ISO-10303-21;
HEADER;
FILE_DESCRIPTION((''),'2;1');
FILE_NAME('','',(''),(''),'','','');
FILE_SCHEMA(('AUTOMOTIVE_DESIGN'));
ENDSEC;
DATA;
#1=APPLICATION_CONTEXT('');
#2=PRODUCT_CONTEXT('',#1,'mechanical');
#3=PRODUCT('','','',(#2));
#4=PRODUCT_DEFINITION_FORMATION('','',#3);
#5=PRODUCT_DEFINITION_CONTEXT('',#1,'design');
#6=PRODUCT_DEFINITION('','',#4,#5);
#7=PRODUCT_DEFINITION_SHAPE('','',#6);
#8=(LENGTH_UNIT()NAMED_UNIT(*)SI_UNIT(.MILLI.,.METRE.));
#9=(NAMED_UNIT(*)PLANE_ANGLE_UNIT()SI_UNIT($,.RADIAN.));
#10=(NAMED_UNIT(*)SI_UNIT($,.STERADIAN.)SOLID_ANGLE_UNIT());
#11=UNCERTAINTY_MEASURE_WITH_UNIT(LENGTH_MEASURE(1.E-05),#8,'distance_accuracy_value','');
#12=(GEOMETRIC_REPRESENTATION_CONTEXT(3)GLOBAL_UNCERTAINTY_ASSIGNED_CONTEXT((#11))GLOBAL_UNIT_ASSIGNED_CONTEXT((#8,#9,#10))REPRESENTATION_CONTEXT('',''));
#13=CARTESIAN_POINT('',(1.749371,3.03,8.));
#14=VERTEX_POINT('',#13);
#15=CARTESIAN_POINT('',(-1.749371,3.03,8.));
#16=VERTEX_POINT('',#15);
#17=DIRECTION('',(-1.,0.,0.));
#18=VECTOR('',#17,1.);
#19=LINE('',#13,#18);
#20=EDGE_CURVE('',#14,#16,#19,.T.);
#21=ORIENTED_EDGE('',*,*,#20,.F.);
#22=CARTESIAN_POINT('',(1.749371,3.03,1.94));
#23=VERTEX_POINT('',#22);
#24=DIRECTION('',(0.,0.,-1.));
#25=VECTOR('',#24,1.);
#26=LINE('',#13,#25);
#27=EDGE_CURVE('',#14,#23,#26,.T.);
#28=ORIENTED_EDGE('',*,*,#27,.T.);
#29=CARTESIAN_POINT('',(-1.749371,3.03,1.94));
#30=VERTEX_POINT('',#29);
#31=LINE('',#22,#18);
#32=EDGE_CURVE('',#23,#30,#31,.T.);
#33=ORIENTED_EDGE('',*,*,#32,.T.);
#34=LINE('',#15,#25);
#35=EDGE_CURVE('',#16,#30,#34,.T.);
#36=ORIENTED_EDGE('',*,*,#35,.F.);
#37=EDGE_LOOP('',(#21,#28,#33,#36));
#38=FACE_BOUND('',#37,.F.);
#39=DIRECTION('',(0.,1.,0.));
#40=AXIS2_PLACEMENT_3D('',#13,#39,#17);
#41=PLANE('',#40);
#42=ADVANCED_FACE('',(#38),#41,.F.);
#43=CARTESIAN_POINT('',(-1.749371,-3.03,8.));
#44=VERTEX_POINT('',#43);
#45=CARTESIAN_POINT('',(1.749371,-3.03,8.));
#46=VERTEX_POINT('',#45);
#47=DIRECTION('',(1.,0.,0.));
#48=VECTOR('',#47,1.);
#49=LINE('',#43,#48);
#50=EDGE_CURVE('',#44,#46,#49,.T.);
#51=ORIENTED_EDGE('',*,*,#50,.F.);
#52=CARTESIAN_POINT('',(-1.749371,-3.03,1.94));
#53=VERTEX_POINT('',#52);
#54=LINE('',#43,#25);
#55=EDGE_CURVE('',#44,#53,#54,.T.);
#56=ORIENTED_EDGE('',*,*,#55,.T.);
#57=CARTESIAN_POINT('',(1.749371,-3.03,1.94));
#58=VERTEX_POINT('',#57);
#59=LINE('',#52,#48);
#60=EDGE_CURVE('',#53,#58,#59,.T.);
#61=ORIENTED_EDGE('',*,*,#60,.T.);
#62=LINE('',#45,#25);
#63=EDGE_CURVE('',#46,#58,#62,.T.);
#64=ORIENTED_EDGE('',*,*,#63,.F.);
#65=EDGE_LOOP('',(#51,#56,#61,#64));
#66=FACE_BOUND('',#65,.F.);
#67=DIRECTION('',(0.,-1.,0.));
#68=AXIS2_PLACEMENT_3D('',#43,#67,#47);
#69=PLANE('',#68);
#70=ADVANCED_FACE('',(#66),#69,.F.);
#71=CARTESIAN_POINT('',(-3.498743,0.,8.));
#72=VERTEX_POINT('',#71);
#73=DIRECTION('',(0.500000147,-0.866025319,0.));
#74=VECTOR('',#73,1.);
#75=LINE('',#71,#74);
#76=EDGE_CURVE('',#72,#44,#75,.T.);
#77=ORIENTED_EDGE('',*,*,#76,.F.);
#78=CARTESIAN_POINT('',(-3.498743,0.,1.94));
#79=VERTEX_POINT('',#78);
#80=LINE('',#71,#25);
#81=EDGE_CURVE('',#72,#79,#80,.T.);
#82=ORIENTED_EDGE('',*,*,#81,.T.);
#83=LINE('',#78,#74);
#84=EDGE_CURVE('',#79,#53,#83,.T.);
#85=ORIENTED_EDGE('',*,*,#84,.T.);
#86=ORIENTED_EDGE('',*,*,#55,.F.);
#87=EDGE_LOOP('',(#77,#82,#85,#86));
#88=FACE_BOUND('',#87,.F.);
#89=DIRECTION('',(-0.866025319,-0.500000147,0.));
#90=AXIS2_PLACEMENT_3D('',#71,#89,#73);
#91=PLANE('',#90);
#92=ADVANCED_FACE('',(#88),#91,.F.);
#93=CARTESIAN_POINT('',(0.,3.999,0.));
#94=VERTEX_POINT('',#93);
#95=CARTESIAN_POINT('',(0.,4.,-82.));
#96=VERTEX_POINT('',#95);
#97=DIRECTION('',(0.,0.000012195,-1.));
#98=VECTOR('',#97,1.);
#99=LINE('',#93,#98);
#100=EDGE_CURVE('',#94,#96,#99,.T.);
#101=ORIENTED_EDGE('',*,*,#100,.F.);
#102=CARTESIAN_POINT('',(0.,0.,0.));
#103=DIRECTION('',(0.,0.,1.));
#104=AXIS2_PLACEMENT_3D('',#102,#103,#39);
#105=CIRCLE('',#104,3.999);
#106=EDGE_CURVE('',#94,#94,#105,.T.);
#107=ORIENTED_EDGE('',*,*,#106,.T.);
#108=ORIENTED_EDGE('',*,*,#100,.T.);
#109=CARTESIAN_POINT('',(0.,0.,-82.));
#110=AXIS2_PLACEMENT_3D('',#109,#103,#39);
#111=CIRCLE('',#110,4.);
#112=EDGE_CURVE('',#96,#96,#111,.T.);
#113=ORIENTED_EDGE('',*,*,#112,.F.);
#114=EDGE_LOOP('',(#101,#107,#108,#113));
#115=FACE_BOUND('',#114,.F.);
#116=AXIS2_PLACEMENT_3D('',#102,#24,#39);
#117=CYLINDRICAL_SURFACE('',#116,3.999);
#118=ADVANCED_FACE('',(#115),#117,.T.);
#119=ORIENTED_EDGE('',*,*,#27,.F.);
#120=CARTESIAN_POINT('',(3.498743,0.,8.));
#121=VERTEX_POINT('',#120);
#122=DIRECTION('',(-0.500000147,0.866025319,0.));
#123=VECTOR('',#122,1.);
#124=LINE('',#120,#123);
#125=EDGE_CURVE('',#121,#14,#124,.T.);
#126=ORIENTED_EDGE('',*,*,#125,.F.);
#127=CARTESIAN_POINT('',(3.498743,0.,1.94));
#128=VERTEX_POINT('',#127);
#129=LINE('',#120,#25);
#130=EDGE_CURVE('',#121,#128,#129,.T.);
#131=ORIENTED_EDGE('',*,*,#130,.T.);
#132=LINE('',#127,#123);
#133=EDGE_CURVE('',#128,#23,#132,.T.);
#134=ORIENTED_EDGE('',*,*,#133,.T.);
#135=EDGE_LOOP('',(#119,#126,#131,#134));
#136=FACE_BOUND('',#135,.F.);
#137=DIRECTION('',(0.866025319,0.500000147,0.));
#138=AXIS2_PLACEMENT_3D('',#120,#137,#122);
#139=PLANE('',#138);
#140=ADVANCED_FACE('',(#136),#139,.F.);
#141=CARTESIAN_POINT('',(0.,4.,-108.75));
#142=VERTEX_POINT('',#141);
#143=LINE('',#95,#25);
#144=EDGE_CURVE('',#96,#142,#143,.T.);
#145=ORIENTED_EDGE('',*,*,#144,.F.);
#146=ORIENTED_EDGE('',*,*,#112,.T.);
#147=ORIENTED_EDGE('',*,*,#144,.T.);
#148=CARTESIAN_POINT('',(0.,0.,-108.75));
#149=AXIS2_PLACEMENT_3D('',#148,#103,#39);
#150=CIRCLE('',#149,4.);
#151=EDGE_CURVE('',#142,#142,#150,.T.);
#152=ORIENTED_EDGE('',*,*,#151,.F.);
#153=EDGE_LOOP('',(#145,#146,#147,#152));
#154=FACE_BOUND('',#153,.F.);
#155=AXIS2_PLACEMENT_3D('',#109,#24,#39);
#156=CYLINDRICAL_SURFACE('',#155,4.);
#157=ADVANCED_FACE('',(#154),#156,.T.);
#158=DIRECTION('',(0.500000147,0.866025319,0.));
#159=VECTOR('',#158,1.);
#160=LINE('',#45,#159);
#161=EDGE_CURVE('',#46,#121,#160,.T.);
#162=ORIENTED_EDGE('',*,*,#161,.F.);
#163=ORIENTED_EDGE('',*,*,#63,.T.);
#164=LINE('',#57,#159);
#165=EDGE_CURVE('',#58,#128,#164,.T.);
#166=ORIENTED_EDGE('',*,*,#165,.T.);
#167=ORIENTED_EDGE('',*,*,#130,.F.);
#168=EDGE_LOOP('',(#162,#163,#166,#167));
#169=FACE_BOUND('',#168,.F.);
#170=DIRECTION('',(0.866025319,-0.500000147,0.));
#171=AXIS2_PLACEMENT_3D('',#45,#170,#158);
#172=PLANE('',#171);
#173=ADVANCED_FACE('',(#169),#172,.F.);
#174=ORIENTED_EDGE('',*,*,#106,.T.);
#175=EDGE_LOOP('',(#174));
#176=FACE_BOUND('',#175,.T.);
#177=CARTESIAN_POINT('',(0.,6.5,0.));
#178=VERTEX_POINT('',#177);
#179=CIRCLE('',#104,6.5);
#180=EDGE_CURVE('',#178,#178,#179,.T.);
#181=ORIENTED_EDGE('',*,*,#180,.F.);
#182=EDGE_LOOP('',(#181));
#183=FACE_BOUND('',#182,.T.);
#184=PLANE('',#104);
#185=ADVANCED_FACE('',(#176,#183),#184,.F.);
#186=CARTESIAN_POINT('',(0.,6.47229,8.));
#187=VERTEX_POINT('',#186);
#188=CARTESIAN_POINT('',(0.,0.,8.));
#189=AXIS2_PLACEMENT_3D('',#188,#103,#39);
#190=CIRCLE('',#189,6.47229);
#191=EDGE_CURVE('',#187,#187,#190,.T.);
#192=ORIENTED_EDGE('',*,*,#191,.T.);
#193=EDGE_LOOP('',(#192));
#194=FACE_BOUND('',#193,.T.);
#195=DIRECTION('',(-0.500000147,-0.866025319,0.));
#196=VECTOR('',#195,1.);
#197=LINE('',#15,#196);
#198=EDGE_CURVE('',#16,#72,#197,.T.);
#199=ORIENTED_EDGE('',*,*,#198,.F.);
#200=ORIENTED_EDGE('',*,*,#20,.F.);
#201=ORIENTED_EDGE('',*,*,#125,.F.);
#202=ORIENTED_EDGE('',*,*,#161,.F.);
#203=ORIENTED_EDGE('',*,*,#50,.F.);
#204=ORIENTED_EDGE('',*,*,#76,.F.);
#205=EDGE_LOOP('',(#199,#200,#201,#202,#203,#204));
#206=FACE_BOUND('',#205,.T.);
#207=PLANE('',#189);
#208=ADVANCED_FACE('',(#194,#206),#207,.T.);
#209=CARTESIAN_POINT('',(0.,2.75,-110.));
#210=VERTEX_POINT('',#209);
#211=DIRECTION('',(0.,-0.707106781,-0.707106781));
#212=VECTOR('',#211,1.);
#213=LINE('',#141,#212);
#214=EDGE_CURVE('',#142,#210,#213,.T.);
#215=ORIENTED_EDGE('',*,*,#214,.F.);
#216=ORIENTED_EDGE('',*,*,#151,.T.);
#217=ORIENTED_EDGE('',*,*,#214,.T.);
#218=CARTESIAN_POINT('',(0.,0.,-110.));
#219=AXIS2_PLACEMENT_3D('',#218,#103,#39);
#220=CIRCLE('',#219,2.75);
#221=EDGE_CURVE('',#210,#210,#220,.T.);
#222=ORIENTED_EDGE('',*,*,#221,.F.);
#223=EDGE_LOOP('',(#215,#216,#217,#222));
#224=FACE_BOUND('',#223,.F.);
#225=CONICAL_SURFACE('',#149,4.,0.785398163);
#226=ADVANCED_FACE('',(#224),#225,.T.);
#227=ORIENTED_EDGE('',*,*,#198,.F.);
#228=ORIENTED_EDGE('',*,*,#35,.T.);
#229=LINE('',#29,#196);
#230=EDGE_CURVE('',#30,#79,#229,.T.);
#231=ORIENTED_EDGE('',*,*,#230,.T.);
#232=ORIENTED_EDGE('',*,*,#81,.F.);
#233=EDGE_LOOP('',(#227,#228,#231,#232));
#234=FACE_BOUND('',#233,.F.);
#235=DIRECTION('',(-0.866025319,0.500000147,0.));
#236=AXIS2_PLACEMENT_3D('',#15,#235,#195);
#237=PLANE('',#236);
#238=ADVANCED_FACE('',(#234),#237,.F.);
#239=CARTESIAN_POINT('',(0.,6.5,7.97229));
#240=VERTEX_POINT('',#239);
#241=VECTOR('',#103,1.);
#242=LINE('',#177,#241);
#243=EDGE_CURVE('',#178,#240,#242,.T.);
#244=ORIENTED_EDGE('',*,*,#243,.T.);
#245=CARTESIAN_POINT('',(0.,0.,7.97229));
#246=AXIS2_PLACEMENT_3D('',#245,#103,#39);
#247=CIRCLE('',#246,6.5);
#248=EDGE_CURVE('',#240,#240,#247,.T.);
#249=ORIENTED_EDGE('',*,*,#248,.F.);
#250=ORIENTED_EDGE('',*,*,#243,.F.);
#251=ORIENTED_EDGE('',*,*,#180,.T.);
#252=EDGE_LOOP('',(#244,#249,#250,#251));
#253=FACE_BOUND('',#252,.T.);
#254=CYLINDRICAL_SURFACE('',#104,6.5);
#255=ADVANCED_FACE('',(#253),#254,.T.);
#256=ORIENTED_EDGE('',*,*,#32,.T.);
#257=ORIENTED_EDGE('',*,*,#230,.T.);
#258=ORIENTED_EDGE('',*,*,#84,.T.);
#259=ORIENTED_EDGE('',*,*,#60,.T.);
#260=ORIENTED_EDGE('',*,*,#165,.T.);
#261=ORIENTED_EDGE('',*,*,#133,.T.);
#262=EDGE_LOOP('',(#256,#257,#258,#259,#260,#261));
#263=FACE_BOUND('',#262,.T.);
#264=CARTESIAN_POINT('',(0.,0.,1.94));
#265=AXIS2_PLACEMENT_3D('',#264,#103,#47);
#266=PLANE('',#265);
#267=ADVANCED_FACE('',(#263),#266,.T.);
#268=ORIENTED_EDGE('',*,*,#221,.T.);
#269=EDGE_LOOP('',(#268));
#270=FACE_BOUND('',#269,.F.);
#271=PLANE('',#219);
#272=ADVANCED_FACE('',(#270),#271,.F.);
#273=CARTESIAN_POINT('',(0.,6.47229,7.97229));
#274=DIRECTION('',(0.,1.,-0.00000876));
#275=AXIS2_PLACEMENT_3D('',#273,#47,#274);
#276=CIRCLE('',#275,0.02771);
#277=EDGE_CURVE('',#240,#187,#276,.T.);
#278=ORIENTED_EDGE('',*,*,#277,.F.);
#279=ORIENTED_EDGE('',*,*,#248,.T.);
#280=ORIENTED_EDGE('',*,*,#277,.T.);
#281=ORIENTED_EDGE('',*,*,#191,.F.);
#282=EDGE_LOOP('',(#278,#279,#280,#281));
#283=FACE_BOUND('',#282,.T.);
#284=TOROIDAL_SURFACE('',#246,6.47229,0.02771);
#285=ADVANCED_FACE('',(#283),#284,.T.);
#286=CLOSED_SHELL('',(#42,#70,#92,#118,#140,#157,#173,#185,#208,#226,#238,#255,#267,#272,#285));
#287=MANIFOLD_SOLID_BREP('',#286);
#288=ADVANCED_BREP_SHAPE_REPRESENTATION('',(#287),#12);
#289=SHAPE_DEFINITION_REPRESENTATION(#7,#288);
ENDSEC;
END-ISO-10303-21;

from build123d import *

# Parameters (mm, degrees)
POCKET_DEPTH = 6.06


with BuildPart() as part:
    # Sketch → Revolve (revolve)
    with BuildSketch(Plane.YZ):
        with BuildLine():
            Line((3.999, 0), (6.5, 0))
            Line((6.5, 0), (6.5, 7.97229))
            ThreePointArc((6.5, 7.97229), (6.491884, 7.991884), (6.47229, 8))
            Line((6.47229, 8), (0, 8))
            Line((0, -110), (0, 8))
            Line((2.75, -110), (0, -110))
            Line((4, -108.75), (2.75, -110))
            Line((4, -82), (4, -108.75))
            Line((3.999, 0), (4, -82))
        make_face()
    revolve(axis=Axis((0, 0, 0), (0, 0, 1)))

    # Sketch001 → Pocket (cut)
    with BuildSketch(Plane.XY.offset(8)):
        Polygon((3.498743, 0), (1.749371, 3.03), (-1.749371, 3.03), (-3.498743, 0), (-1.749371, -3.03), (1.749371, -3.03), align=None)
    extrude(amount=-POCKET_DEPTH, mode=Mode.SUBTRACT)


solid = part.part
